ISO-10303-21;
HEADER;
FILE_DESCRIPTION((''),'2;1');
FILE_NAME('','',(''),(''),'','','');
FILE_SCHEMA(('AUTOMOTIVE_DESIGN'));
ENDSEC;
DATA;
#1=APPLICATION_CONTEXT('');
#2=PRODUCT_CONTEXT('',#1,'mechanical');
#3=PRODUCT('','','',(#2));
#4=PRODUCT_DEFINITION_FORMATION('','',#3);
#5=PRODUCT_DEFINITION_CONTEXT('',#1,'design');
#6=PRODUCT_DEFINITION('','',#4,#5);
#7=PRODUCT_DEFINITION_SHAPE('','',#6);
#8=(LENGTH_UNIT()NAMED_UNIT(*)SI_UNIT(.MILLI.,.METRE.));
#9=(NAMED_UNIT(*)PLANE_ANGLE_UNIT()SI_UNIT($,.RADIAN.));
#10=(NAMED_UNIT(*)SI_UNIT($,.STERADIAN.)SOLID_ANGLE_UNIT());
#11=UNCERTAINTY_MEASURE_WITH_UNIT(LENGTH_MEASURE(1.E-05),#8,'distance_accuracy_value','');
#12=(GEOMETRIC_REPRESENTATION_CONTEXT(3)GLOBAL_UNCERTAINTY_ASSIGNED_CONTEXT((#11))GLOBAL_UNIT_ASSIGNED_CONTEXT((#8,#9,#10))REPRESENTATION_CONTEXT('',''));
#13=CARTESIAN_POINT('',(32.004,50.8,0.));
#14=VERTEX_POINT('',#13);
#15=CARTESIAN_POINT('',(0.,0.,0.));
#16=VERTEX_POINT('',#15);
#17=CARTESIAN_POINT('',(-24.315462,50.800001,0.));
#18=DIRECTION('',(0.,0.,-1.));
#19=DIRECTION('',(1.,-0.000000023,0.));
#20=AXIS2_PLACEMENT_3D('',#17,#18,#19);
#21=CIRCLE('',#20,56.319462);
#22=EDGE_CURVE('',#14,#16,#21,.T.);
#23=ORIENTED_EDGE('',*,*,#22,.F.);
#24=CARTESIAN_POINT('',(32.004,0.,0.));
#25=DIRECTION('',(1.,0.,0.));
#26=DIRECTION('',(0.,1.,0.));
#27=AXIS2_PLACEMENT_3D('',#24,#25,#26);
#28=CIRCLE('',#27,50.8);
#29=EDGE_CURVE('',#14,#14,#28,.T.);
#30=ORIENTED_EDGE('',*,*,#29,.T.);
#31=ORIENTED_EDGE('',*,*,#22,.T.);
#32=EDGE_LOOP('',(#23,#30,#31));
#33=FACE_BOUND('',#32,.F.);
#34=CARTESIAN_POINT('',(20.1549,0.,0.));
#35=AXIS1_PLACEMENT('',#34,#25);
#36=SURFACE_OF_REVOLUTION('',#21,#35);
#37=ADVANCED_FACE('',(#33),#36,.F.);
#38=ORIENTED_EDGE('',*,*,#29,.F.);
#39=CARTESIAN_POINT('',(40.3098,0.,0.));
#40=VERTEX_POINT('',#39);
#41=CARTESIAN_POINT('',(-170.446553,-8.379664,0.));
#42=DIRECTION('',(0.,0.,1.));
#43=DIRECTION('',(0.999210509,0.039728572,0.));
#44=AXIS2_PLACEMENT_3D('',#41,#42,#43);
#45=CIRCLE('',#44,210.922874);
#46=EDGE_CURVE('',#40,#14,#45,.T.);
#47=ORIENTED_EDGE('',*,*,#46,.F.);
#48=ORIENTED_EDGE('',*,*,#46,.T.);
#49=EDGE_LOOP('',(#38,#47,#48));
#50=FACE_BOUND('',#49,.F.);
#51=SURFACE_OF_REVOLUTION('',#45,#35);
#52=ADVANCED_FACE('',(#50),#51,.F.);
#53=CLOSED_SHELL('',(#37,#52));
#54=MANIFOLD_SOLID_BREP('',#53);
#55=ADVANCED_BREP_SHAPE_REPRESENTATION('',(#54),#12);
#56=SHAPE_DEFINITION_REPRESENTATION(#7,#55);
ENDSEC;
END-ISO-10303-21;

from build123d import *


with BuildPart() as f1:
    # F0 (on Top) → F1 (revolve)
    with BuildSketch(Plane.XY):
        with BuildLine():
            Line((32.004, 50.8), (32.004, 0))
            Line((32.004, 0), (40.3098, 0))
            ThreePointArc((40.3098, 0), (37.712393, 25.654323), (32.004, 50.8))
        make_face()
        with BuildLine():
            ThreePointArc((32.004, 50.8), (23.335957, 20.779607), (0, 0))
            Line((0, 0), (32.004, 0))
            Line((32.004, 0), (32.004, 50.8))
        make_face()
    revolve(axis=Axis((20.1549, 0, 0), (1, 0, 0)))


solid = f1.part
